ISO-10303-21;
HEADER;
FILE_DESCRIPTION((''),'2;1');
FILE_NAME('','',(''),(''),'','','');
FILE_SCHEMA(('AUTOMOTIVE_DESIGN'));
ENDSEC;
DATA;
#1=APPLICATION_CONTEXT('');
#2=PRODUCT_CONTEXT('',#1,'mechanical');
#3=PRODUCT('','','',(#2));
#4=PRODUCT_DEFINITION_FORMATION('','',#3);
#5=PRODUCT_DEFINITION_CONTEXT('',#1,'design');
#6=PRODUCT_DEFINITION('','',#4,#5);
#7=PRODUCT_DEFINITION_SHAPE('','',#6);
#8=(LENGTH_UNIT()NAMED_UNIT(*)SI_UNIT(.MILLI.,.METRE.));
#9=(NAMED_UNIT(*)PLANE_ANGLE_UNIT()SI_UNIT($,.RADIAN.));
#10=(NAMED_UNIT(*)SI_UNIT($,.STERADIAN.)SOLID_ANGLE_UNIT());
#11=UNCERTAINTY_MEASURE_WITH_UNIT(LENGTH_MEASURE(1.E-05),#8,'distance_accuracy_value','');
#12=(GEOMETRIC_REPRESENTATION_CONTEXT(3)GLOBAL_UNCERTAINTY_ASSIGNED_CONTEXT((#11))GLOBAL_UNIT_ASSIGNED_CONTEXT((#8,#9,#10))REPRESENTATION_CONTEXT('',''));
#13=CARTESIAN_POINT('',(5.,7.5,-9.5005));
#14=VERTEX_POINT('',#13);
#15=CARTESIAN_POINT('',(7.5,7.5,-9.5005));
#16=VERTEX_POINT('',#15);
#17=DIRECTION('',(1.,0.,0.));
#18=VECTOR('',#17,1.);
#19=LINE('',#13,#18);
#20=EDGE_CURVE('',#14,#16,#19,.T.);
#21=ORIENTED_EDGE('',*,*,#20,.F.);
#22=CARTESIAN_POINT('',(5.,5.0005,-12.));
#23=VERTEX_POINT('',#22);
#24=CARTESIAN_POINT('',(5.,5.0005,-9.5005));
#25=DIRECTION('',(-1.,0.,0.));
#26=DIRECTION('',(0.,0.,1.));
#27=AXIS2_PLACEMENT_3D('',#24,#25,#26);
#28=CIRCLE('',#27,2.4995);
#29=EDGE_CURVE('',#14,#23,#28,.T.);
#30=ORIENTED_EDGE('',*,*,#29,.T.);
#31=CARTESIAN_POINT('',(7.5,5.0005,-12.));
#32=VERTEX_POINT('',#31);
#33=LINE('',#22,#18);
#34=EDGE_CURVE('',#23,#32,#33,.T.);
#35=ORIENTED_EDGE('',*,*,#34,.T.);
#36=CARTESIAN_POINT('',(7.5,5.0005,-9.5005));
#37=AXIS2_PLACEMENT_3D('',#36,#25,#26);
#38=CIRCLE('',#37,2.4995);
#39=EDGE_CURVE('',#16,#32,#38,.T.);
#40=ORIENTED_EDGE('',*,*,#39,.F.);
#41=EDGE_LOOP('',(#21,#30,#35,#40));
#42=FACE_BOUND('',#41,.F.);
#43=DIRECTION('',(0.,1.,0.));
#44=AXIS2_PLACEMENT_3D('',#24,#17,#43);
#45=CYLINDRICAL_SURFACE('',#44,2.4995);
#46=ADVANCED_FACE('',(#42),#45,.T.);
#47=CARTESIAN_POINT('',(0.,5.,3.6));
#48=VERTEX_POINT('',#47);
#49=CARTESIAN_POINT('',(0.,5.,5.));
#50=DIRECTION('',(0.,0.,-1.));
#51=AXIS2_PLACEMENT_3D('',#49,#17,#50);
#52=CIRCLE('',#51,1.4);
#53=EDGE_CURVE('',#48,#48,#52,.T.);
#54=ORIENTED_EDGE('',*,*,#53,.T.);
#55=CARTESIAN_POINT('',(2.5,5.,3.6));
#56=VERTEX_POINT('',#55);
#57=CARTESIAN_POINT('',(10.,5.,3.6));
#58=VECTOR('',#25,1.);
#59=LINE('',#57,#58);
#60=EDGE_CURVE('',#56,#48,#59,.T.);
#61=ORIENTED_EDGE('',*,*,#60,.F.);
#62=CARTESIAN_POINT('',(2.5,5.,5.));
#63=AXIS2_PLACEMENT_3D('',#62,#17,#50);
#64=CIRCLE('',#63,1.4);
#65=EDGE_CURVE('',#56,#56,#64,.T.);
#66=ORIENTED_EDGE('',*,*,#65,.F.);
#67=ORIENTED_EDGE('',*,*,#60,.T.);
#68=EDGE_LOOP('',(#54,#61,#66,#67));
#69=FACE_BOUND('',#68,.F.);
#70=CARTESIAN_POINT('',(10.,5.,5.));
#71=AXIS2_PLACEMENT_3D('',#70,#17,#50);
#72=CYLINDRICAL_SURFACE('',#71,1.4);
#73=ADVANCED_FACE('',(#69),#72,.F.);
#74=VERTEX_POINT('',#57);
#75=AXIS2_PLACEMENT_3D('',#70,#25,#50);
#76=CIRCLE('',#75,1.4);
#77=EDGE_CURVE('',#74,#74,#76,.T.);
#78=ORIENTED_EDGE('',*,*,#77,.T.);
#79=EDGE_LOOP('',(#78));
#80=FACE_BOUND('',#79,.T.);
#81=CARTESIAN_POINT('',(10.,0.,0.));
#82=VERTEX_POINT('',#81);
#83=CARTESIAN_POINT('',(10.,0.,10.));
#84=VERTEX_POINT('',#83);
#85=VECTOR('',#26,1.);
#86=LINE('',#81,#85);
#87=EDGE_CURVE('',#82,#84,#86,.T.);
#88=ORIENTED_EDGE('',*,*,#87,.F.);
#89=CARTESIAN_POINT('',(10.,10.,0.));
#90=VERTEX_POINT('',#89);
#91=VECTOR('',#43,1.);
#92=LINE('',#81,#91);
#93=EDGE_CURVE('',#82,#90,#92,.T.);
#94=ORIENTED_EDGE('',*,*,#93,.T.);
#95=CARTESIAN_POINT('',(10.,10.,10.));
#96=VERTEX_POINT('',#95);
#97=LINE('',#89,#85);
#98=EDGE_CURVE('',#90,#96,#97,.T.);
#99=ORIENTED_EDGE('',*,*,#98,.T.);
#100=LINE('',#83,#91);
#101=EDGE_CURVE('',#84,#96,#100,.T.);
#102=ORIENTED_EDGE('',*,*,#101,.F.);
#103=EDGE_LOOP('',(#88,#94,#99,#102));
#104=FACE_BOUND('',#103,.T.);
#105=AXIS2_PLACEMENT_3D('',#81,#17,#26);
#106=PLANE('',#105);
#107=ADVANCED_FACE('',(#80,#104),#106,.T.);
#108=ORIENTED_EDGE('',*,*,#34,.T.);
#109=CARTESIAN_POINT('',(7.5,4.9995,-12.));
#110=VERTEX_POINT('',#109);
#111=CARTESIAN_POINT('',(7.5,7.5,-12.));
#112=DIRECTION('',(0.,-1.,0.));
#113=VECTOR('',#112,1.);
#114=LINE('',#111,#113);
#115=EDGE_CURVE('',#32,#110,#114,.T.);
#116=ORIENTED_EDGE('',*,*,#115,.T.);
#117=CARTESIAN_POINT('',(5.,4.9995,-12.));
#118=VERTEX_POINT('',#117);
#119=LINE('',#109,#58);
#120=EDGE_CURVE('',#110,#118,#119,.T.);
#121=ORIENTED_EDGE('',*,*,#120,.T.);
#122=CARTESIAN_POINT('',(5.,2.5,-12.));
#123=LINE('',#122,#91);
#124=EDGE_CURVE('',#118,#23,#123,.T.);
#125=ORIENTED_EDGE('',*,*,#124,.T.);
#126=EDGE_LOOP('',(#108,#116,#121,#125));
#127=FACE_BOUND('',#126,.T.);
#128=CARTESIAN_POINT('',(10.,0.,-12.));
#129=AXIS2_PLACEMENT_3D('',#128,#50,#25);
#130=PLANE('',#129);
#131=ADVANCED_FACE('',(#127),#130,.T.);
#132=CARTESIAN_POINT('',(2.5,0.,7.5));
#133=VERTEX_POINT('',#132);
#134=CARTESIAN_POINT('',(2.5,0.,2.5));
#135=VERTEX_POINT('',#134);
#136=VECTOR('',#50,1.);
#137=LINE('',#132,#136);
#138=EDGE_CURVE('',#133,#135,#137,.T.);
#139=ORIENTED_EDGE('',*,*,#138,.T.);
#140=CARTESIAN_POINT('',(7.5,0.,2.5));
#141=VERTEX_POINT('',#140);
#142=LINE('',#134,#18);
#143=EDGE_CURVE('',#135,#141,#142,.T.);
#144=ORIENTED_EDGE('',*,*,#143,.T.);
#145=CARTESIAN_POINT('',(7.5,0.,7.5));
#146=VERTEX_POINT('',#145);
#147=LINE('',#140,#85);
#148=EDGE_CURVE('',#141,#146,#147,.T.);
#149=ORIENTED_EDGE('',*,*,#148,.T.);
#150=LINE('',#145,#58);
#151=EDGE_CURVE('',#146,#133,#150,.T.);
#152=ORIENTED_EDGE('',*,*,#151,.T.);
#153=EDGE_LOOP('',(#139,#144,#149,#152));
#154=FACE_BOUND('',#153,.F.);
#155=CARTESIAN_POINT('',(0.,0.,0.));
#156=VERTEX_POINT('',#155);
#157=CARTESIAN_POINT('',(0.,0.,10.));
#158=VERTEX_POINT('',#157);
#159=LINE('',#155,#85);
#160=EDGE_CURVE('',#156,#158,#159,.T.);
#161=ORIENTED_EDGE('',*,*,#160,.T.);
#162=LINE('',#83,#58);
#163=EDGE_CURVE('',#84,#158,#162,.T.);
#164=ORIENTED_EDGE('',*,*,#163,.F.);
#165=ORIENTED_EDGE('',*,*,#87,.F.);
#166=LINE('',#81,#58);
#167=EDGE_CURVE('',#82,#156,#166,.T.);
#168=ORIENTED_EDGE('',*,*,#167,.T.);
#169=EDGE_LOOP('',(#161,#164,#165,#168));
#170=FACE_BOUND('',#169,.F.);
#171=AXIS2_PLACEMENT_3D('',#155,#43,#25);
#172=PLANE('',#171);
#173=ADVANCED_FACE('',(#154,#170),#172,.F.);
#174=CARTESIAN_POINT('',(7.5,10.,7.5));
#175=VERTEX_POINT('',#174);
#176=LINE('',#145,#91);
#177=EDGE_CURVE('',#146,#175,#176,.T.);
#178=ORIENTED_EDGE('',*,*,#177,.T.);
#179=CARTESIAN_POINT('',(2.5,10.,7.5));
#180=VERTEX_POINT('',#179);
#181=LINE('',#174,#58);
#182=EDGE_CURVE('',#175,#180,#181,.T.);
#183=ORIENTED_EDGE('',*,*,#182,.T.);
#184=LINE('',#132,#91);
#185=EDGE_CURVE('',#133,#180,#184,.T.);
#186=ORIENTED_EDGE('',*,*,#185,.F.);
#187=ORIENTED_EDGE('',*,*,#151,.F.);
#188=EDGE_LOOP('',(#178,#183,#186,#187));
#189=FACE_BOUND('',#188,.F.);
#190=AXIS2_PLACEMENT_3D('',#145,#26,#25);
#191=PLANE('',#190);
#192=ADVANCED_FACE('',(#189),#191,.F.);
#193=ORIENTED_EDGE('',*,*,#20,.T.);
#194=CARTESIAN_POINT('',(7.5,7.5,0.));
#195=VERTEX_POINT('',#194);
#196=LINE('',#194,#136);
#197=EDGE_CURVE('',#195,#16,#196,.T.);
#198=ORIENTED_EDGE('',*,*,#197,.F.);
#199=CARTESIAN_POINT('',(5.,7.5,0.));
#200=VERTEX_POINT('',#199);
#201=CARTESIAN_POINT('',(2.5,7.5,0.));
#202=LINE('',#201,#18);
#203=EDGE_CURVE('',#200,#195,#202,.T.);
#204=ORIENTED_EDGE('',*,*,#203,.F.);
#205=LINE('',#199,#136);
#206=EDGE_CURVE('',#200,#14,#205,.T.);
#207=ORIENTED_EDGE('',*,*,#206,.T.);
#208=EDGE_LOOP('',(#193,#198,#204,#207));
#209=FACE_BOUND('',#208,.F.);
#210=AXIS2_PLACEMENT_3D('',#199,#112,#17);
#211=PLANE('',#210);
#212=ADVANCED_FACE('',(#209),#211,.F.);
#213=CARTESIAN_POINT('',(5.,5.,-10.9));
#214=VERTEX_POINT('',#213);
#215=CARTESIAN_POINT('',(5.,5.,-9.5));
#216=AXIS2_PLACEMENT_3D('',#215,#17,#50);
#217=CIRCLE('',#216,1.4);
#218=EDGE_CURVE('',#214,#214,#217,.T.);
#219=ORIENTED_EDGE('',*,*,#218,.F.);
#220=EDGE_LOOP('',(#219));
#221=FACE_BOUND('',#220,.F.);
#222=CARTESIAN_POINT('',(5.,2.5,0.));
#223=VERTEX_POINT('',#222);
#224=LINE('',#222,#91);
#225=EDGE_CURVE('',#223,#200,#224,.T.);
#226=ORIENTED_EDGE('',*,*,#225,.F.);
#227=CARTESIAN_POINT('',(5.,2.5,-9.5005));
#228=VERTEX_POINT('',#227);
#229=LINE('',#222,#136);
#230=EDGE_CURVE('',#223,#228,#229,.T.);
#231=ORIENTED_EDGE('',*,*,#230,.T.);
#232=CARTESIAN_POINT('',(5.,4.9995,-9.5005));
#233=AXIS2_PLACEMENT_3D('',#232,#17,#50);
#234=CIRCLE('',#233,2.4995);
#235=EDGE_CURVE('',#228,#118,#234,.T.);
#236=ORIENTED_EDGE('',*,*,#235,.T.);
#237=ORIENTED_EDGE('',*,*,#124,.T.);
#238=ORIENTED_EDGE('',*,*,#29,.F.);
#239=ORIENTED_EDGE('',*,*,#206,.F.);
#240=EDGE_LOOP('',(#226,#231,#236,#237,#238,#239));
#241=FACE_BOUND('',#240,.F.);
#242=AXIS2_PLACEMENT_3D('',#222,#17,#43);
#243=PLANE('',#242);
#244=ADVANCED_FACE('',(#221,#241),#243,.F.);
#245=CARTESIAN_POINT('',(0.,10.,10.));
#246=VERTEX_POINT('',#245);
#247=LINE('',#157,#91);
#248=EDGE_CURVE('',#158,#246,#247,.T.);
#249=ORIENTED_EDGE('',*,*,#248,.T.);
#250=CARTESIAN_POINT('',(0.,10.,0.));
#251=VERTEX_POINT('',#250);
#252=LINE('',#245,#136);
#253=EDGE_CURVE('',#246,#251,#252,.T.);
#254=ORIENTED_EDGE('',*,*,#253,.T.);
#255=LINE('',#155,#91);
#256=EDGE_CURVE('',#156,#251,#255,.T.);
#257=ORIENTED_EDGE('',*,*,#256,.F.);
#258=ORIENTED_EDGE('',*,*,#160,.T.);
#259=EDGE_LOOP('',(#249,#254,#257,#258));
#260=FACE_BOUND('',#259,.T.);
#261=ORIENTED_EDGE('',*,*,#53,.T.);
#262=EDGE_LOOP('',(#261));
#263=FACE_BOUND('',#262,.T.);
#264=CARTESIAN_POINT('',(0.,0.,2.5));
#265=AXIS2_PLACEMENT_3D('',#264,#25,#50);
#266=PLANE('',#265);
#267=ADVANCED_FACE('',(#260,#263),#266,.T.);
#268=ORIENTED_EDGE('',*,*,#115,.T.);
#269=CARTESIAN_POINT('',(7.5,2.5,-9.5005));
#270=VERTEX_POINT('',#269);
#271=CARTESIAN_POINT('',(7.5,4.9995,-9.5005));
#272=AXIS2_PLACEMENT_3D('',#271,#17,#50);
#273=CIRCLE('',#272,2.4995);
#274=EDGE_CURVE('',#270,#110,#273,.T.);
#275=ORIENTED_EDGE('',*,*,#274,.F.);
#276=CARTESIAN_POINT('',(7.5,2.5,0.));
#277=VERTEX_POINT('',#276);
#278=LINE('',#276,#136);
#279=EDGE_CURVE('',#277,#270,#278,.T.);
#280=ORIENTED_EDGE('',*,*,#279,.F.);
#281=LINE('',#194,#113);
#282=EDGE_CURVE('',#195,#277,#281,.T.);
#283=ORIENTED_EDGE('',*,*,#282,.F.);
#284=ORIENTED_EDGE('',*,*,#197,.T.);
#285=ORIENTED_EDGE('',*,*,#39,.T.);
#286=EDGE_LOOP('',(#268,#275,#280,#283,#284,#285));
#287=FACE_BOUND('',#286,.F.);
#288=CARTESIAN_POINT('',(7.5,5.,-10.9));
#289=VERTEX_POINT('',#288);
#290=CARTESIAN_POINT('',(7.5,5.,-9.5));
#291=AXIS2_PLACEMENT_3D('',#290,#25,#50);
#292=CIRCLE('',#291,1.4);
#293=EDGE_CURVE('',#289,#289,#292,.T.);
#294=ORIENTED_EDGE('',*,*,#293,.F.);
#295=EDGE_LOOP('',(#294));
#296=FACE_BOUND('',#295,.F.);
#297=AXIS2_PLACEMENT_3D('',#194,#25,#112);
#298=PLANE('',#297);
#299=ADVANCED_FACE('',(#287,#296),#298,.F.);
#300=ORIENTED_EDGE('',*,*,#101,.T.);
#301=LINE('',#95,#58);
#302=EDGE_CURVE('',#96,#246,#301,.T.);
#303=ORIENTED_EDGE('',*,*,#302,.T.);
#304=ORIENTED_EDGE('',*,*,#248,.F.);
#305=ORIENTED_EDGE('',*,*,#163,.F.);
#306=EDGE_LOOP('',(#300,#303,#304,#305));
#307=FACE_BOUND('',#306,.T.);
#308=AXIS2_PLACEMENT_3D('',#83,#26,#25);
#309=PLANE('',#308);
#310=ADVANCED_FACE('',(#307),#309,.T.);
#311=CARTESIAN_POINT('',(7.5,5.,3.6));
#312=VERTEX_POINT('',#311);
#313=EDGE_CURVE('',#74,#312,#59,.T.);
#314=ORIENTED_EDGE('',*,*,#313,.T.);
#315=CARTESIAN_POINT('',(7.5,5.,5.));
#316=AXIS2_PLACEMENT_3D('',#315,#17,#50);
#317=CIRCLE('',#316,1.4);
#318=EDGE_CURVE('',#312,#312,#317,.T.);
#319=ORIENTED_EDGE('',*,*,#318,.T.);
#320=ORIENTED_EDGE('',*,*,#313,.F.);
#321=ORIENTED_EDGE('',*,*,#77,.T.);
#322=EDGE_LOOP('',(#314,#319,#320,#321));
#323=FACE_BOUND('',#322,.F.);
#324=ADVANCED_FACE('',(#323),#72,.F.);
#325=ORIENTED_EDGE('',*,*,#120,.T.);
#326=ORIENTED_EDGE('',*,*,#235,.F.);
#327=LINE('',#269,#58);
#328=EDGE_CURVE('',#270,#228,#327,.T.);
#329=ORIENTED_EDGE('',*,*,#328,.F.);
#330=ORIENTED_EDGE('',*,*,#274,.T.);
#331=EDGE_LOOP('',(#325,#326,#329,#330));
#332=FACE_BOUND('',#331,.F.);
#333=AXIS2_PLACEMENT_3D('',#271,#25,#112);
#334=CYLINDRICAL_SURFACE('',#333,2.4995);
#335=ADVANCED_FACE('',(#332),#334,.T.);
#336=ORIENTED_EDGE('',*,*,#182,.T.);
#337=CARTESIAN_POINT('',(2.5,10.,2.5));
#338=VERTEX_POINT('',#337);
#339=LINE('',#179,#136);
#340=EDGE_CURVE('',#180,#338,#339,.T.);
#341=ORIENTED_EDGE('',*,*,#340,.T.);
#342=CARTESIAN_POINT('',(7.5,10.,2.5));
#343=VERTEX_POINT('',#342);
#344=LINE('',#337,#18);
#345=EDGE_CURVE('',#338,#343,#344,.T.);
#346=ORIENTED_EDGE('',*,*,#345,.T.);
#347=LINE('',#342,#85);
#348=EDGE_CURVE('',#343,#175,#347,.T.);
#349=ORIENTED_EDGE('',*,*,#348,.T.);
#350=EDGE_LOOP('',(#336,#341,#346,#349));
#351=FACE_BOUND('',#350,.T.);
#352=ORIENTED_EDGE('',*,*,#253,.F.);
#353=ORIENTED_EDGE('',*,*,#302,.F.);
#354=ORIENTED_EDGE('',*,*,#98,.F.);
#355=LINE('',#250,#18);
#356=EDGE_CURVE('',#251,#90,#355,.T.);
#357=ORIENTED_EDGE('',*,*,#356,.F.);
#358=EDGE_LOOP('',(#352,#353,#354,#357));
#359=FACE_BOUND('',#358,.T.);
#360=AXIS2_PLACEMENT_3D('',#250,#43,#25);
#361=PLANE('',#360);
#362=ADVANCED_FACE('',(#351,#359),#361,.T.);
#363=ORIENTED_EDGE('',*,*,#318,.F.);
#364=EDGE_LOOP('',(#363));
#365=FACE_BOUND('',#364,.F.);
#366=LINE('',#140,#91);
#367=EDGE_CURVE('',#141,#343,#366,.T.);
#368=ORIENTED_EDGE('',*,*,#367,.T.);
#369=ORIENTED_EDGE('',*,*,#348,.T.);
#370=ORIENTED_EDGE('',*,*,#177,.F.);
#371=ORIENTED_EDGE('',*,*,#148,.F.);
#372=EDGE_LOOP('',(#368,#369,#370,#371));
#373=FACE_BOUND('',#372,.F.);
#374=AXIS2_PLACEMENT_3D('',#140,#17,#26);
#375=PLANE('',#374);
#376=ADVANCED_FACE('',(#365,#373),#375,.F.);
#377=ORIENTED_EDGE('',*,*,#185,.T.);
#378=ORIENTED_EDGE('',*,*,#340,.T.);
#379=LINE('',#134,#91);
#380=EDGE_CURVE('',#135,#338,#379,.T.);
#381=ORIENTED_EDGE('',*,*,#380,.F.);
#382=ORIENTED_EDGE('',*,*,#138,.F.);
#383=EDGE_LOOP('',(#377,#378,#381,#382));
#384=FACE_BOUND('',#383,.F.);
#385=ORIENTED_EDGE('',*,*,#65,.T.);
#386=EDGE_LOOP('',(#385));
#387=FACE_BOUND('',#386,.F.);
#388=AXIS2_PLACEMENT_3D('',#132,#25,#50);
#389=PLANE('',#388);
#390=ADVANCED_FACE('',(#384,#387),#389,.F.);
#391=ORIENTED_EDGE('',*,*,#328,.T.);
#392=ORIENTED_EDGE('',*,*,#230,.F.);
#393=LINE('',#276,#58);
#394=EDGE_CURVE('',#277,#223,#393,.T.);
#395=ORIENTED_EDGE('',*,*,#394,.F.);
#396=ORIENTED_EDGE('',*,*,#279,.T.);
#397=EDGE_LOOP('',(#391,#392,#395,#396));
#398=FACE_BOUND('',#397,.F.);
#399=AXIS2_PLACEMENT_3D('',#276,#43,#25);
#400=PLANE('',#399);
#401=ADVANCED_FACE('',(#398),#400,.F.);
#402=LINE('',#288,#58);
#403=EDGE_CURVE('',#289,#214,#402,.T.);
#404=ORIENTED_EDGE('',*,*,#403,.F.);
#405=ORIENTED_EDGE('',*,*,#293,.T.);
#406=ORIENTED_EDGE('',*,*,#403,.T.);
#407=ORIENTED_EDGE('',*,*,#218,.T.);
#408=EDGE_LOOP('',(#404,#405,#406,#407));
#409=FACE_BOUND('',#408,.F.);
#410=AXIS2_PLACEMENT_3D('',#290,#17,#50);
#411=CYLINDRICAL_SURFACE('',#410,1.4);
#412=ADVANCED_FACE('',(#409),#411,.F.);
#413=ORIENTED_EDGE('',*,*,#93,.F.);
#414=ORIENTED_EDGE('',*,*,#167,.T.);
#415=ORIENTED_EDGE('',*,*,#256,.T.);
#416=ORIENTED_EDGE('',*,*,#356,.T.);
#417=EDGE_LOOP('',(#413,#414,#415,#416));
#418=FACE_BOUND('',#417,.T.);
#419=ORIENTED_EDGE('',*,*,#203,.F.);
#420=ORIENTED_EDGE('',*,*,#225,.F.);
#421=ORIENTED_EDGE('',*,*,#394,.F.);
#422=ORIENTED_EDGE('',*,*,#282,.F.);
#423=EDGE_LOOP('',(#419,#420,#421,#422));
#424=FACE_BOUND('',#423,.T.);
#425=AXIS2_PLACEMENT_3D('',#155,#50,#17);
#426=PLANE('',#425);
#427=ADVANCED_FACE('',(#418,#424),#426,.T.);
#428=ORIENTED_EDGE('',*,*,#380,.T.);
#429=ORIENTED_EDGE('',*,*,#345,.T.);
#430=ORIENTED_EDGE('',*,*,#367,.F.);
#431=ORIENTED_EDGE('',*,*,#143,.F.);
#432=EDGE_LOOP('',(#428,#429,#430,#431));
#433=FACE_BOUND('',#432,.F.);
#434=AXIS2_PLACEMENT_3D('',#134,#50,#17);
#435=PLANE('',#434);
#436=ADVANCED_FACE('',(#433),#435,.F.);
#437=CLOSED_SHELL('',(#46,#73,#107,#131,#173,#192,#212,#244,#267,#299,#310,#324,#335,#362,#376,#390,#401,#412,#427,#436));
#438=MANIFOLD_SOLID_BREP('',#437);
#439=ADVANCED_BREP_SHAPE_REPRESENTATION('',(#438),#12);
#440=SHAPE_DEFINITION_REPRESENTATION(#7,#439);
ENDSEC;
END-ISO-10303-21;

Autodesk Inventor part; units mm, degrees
ref_plane "YZ Plane" through (0, 0, 0) normal (1, 0, 0) x (0, 1, 0)
ref_plane "XZ Plane" through (0, 0, 0) normal (0, 1, 0) x (-1, 0, 0)
ref_plane "XY Plane" through (0, 0, 0) normal (0, 0, 1) x (1, 0, 0)
sketch "Sketch1" plane through (0, 0, 0) normal (0, 1, 0) x (-1, 0, 0)
  line L0 (0, 0) -> (-10, 0)
  line L1 (-10, 0) -> (-10, 10)
  line L2 (-10, 10) -> (0, 10)
  line L3 (0, 10) -> (0, 0)
  line L4 (0, 0) -> (-2.5, 0)
  line L5 (-2.5, 0) -> (-2.5, 2.5)
  line L6 (-2.5, 2.5) -> (0, 2.5)
  line L7 (0, 2.5) -> (0, 0)
  line L8 (-2.5, 2.5) -> (-7.5, 2.5)
  line L9 (-7.5, 2.5) -> (-7.5, 7.5)
  line L10 (-7.5, 7.5) -> (-2.5, 7.5)
  line L11 (-2.5, 7.5) -> (-2.5, 2.5)
  dimension "d0" = 10
  dimension "d1" = 10
  dimension "d2" = 2.5
  dimension "d3" = 2.5
  dimension "d4" = 5
  dimension "d5" = 5
extrude "Extrusion1" add sketch "Sketch1" along normal blind 10
sketch "Sketch2" plane through (10, 0, 10) normal (1, 0, 0) x (0, 0, -1)
  line L0 (10, 10) -> (0, 10) projected
  line L1 (0, 10) -> (5, 10)
  line L2 (5, 10) -> (5, 5)
  line L3 (5, 5) -> (0, 5)
  line L4 (0, 5) -> (0, 10)
  circle A0 centre (5, 5) radius 1.4
  point P0 (10, 0)
  dimension "d8" = 5
  dimension "d9" = 5
  dimension "d10" = 2.8
extrude "Extrusion2" cut sketch "Sketch2" against normal through all contours A0 L3 L2 | L2 L3 A0
sketch "Sketch3" plane through (10, 0, 0) normal (0, 0, -1) x (-1, 0, 0)
  line L0 (0, 10) -> (10, 10) projected
  line L1 (10, 10) -> (7.5, 10)
  line L2 (7.5, 10) -> (7.5, 7.5)
  line L3 (7.5, 7.5) -> (10, 7.5)
  line L4 (10, 7.5) -> (10, 10)
  line L5 (7.5, 7.5) -> (2.5, 7.5)
  line L6 (2.5, 7.5) -> (2.5, 2.5)
  line L7 (2.5, 2.5) -> (7.5, 2.5)
  line L8 (7.5, 2.5) -> (7.5, 7.5)
  line L9 (2.5, 2.5) -> (5, 2.5)
  line L10 (5, 2.5) -> (5, 7.5)
  line L11 (5, 7.5) -> (2.5, 7.5)
  line L12 (2.5, 7.5) -> (2.5, 2.5)
  point P0 (10, 0)
  dimension "d13" = 2.5
  dimension "d14" = 2.5
  dimension "d15" = 5
  dimension "d16" = 5
extrude "Extrusion3" add sketch "Sketch3" along normal blind 12 contours L10 L7 L6 L5
sketch "Sketch4" plane through (7.5, 2.5, 0) normal (1, 0, 0) x (0, 0, -1)
  line L0 (0, 5) -> (12, 5) projected
  line L1 (12, 5) -> (9.5, 5)
  line L2 (9.5, 5) -> (9.5, 2.5)
  line L3 (9.5, 2.5) -> (12, 2.5)
  line L4 (12, 2.5) -> (12, 5)
  circle A0 centre (9.5, 2.5) radius 1.4
  point P0 (0, -2.5)
  dimension "d19" = 2.5
  dimension "d20" = 2.5
  dimension "d21" = 2.8
extrude "Extrusion4" cut sketch "Sketch4" against normal through all contours A0 L3 L2 | L2 L3 A0
fillet "Fillet1" radius 2.5 2 edges at (6.25, 7.5, -12) (6.25, 2.5, -12)
properties part number "CAM03"
